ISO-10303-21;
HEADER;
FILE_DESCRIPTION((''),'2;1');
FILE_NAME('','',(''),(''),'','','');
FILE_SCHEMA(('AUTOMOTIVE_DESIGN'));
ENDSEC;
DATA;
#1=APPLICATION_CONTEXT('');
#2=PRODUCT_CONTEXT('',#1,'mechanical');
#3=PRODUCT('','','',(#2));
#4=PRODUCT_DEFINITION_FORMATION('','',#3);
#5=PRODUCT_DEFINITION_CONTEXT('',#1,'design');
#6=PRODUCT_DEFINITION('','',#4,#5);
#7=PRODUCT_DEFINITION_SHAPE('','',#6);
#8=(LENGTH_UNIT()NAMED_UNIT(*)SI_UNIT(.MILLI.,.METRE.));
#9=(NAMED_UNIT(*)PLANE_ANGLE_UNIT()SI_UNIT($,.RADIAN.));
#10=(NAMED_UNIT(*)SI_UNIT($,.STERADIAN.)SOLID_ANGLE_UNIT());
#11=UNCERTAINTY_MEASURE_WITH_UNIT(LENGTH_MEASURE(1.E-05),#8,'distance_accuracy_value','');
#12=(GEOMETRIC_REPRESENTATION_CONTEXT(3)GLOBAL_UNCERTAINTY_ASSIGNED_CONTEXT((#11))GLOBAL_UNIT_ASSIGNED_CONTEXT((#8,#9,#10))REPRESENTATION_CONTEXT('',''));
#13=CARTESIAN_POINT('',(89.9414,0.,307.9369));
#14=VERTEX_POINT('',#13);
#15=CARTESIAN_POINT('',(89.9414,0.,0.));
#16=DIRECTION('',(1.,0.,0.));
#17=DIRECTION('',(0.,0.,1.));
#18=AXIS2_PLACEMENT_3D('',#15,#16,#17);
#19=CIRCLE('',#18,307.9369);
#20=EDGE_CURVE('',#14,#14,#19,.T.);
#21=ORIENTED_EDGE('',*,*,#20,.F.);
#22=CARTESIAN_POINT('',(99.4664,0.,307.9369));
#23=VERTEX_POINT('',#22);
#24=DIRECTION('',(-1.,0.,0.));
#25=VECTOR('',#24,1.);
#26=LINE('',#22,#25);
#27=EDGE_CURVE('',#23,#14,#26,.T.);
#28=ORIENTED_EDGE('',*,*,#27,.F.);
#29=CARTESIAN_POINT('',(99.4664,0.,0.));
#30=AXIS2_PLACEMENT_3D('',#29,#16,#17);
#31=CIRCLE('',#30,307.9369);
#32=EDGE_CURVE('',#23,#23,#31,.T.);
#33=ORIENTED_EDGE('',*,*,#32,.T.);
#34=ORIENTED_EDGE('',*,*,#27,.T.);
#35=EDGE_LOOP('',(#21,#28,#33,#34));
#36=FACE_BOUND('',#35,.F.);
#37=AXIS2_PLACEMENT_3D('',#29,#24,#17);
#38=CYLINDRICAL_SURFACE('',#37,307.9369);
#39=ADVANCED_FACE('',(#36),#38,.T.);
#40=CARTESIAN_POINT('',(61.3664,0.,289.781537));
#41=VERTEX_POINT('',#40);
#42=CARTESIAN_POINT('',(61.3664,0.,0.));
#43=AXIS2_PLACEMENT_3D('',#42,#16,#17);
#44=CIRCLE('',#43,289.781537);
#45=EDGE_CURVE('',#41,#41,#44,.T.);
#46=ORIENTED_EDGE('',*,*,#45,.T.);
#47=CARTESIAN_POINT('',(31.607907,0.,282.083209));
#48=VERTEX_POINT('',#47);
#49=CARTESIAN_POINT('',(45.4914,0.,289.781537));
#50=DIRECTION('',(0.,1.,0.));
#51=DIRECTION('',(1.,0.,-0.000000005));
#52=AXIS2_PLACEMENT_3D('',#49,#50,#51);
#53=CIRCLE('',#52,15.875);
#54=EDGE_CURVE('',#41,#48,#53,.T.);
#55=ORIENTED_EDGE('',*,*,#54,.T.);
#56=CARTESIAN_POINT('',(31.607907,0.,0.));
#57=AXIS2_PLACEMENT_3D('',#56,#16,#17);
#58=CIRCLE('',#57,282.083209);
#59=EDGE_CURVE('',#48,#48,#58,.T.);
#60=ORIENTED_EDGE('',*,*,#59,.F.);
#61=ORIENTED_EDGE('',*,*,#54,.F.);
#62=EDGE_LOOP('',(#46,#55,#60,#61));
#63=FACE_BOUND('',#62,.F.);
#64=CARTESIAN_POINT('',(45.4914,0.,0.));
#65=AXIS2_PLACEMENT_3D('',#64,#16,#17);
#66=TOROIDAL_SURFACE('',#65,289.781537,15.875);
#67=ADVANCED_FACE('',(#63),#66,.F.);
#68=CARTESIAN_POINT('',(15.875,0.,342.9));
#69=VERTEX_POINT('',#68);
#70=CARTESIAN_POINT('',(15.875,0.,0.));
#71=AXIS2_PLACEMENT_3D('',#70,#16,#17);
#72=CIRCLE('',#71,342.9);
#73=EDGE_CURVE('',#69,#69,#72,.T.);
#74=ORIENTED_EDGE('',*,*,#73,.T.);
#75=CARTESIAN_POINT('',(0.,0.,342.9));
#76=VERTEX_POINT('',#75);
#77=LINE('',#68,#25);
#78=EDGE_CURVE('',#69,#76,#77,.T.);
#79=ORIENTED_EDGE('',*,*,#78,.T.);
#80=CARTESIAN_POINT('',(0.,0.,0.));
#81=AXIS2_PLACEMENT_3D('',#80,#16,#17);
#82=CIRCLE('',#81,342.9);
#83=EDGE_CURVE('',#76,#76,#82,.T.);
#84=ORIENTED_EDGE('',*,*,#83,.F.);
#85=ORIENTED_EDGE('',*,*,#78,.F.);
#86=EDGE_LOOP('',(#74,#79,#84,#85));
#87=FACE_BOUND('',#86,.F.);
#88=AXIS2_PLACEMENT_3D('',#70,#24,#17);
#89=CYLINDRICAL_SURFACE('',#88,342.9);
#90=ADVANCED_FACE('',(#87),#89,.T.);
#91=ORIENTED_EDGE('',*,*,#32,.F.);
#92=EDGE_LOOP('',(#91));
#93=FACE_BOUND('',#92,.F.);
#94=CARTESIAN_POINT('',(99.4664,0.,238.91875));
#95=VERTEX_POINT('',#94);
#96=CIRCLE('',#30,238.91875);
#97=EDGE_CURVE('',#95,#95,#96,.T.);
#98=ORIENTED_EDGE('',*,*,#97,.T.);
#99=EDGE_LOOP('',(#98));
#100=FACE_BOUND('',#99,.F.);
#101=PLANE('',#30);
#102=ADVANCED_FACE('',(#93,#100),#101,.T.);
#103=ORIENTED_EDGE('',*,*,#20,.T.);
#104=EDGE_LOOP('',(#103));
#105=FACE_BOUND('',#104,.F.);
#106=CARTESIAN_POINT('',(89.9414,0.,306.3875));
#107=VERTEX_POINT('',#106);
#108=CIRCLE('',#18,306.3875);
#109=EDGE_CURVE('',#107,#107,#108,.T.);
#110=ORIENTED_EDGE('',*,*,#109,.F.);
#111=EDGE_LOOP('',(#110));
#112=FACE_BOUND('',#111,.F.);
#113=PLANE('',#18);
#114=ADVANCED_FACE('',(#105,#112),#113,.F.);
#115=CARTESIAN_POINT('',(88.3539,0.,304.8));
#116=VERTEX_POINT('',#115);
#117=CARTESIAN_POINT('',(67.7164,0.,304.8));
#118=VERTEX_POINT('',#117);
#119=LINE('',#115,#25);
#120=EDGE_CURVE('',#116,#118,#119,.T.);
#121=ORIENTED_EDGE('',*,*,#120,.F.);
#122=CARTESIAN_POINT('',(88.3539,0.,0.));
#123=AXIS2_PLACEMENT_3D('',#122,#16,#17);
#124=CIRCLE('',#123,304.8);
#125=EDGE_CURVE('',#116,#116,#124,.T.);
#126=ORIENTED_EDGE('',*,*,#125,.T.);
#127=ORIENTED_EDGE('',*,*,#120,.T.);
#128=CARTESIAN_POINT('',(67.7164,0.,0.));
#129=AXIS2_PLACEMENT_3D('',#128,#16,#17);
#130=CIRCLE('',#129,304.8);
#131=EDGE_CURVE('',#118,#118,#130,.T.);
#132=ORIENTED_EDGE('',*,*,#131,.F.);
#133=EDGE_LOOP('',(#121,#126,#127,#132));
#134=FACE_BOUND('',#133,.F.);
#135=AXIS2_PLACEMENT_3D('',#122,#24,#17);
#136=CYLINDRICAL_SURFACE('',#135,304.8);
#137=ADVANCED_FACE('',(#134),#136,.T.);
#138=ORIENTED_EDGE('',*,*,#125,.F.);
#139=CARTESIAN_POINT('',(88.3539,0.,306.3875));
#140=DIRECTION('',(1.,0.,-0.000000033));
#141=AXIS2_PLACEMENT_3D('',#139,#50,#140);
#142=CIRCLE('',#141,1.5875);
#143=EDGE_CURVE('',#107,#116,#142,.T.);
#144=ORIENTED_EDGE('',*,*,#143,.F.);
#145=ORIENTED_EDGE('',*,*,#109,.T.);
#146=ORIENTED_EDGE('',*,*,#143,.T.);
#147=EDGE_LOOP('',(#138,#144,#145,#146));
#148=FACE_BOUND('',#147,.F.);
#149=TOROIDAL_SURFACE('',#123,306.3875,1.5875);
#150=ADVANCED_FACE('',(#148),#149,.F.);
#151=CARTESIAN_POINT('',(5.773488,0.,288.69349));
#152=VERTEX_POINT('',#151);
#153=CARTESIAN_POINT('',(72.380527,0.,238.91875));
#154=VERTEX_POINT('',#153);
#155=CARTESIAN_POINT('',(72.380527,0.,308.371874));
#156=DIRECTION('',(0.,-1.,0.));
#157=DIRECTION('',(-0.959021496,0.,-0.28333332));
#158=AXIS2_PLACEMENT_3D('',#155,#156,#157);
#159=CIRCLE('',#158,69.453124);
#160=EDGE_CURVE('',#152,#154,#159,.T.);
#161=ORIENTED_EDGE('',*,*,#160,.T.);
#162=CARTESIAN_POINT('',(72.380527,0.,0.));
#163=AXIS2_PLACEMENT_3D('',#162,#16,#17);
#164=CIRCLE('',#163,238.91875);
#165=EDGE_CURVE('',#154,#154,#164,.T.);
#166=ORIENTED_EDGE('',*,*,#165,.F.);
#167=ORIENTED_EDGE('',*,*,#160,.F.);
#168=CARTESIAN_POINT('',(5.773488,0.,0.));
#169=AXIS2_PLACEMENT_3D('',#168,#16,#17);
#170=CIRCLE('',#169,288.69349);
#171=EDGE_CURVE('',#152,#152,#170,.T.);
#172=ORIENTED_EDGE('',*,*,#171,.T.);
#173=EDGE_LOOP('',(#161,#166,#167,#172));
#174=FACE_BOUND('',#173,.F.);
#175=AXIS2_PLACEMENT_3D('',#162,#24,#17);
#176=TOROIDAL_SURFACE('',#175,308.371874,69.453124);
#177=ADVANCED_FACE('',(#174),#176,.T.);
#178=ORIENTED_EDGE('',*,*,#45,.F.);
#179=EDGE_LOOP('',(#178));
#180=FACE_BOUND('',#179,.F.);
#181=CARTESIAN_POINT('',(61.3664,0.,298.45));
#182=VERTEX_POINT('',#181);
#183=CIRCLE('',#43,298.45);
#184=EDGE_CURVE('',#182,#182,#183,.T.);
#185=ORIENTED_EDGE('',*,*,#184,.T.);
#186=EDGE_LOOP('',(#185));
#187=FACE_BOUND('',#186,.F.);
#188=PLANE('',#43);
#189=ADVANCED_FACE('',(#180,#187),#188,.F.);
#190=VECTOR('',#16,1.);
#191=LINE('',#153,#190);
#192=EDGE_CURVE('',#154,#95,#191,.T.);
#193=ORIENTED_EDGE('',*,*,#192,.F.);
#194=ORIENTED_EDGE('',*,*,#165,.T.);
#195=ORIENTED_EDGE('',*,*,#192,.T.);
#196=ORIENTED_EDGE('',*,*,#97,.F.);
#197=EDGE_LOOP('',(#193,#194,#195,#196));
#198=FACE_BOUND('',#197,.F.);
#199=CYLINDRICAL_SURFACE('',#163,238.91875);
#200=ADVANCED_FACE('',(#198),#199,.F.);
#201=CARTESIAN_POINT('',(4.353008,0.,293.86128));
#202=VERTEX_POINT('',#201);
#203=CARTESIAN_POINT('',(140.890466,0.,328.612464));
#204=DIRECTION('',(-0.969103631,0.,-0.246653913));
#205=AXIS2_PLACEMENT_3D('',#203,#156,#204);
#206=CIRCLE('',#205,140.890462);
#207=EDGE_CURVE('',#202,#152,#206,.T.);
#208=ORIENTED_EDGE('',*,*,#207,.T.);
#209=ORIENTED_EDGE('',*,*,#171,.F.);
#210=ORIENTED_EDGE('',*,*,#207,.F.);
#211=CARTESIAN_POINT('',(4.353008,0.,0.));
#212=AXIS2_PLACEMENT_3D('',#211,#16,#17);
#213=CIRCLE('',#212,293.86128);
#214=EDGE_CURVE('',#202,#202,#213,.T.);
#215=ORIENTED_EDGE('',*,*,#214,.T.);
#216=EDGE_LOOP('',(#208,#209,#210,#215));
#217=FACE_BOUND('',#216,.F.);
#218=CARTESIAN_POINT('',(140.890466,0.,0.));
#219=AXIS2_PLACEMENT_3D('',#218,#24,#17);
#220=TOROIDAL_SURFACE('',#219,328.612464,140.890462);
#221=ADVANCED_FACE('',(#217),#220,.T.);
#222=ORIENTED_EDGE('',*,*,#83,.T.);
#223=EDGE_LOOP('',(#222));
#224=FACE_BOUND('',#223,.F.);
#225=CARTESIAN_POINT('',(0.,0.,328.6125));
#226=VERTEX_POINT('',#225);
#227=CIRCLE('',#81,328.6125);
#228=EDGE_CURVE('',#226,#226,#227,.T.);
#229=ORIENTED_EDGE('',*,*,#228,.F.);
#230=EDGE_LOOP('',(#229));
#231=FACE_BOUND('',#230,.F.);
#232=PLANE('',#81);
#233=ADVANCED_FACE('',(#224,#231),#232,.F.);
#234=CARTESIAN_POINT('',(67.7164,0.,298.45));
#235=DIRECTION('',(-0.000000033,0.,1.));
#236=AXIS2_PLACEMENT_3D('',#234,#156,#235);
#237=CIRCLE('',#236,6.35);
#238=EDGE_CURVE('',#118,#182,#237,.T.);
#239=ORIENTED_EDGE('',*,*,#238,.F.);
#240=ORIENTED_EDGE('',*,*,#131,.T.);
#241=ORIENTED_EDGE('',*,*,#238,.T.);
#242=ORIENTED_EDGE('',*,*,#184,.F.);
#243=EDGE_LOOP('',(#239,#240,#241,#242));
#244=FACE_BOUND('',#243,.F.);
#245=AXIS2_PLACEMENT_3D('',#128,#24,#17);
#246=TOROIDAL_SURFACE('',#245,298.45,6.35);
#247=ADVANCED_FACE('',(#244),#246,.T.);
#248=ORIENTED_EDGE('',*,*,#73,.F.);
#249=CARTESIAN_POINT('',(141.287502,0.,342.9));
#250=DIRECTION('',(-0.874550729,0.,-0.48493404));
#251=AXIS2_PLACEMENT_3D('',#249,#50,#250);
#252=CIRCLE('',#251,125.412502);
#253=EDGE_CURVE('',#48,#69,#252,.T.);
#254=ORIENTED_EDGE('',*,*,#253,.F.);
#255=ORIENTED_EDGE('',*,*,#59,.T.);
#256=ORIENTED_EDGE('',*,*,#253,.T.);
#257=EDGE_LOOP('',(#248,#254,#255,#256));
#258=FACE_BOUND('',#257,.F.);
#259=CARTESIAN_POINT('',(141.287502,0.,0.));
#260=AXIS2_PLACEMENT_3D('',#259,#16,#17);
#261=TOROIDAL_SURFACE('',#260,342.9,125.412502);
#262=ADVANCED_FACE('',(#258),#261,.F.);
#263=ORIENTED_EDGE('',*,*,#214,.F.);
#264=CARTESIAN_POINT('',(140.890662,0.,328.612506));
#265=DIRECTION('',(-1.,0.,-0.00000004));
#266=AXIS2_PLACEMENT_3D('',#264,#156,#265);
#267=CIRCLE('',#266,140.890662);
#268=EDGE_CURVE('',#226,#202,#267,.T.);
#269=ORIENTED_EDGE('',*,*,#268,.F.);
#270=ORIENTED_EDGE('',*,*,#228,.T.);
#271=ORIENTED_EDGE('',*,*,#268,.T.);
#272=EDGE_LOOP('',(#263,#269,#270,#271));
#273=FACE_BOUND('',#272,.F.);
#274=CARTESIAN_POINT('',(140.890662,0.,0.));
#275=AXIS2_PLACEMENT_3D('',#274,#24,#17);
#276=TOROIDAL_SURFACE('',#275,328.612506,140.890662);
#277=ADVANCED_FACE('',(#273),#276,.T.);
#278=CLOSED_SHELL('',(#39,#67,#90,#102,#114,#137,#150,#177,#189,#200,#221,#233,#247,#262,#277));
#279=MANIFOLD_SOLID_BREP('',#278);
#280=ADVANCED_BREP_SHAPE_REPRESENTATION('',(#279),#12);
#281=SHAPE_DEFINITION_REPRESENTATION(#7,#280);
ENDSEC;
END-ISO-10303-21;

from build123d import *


with BuildPart() as f1:
    # F0 (on Front) → F1 (revolve)
    with BuildSketch(Plane.XZ):
        with BuildLine():
            Line((15.875, 342.9), (0, 342.9))
            Line((0, 342.9), (0, 328.6125))
            ThreePointArc((0, 328.6125), (1.092488, 311.101104), (4.353008, 293.86128))
            ThreePointArc((4.353008, 293.86128), (5.038673, 291.27063), (5.773488, 288.69349))
            ThreePointArc((5.773488, 288.69349), (30.805227, 252.737075), (72.380527, 238.91875))
            Line((72.380527, 238.91875), (99.4664, 238.91875))
            Line((99.4664, 238.91875), (99.4664, 307.9369))
            Line((99.4664, 307.9369), (89.9414, 307.9369))
            Line((89.9414, 307.9369), (89.9414, 306.3875))
            ThreePointArc((89.9414, 306.3875), (89.476432, 305.264968), (88.3539, 304.8))
            Line((88.3539, 304.8), (67.7164, 304.8))
            ThreePointArc((67.7164, 304.8), (63.226272, 302.940128), (61.3664, 298.45))
            Line((61.3664, 298.45), (61.3664, 289.781537))
            ThreePointArc((61.3664, 289.781537), (49.467276, 274.412476), (31.607907, 282.083209))
            ThreePointArc((31.607907, 282.083209), (19.871918, 311.490581), (15.875, 342.9))
        make_face()
    revolve(axis=Axis((30.470669, 0, 0), (1, 0, 0)))


solid = f1.part
